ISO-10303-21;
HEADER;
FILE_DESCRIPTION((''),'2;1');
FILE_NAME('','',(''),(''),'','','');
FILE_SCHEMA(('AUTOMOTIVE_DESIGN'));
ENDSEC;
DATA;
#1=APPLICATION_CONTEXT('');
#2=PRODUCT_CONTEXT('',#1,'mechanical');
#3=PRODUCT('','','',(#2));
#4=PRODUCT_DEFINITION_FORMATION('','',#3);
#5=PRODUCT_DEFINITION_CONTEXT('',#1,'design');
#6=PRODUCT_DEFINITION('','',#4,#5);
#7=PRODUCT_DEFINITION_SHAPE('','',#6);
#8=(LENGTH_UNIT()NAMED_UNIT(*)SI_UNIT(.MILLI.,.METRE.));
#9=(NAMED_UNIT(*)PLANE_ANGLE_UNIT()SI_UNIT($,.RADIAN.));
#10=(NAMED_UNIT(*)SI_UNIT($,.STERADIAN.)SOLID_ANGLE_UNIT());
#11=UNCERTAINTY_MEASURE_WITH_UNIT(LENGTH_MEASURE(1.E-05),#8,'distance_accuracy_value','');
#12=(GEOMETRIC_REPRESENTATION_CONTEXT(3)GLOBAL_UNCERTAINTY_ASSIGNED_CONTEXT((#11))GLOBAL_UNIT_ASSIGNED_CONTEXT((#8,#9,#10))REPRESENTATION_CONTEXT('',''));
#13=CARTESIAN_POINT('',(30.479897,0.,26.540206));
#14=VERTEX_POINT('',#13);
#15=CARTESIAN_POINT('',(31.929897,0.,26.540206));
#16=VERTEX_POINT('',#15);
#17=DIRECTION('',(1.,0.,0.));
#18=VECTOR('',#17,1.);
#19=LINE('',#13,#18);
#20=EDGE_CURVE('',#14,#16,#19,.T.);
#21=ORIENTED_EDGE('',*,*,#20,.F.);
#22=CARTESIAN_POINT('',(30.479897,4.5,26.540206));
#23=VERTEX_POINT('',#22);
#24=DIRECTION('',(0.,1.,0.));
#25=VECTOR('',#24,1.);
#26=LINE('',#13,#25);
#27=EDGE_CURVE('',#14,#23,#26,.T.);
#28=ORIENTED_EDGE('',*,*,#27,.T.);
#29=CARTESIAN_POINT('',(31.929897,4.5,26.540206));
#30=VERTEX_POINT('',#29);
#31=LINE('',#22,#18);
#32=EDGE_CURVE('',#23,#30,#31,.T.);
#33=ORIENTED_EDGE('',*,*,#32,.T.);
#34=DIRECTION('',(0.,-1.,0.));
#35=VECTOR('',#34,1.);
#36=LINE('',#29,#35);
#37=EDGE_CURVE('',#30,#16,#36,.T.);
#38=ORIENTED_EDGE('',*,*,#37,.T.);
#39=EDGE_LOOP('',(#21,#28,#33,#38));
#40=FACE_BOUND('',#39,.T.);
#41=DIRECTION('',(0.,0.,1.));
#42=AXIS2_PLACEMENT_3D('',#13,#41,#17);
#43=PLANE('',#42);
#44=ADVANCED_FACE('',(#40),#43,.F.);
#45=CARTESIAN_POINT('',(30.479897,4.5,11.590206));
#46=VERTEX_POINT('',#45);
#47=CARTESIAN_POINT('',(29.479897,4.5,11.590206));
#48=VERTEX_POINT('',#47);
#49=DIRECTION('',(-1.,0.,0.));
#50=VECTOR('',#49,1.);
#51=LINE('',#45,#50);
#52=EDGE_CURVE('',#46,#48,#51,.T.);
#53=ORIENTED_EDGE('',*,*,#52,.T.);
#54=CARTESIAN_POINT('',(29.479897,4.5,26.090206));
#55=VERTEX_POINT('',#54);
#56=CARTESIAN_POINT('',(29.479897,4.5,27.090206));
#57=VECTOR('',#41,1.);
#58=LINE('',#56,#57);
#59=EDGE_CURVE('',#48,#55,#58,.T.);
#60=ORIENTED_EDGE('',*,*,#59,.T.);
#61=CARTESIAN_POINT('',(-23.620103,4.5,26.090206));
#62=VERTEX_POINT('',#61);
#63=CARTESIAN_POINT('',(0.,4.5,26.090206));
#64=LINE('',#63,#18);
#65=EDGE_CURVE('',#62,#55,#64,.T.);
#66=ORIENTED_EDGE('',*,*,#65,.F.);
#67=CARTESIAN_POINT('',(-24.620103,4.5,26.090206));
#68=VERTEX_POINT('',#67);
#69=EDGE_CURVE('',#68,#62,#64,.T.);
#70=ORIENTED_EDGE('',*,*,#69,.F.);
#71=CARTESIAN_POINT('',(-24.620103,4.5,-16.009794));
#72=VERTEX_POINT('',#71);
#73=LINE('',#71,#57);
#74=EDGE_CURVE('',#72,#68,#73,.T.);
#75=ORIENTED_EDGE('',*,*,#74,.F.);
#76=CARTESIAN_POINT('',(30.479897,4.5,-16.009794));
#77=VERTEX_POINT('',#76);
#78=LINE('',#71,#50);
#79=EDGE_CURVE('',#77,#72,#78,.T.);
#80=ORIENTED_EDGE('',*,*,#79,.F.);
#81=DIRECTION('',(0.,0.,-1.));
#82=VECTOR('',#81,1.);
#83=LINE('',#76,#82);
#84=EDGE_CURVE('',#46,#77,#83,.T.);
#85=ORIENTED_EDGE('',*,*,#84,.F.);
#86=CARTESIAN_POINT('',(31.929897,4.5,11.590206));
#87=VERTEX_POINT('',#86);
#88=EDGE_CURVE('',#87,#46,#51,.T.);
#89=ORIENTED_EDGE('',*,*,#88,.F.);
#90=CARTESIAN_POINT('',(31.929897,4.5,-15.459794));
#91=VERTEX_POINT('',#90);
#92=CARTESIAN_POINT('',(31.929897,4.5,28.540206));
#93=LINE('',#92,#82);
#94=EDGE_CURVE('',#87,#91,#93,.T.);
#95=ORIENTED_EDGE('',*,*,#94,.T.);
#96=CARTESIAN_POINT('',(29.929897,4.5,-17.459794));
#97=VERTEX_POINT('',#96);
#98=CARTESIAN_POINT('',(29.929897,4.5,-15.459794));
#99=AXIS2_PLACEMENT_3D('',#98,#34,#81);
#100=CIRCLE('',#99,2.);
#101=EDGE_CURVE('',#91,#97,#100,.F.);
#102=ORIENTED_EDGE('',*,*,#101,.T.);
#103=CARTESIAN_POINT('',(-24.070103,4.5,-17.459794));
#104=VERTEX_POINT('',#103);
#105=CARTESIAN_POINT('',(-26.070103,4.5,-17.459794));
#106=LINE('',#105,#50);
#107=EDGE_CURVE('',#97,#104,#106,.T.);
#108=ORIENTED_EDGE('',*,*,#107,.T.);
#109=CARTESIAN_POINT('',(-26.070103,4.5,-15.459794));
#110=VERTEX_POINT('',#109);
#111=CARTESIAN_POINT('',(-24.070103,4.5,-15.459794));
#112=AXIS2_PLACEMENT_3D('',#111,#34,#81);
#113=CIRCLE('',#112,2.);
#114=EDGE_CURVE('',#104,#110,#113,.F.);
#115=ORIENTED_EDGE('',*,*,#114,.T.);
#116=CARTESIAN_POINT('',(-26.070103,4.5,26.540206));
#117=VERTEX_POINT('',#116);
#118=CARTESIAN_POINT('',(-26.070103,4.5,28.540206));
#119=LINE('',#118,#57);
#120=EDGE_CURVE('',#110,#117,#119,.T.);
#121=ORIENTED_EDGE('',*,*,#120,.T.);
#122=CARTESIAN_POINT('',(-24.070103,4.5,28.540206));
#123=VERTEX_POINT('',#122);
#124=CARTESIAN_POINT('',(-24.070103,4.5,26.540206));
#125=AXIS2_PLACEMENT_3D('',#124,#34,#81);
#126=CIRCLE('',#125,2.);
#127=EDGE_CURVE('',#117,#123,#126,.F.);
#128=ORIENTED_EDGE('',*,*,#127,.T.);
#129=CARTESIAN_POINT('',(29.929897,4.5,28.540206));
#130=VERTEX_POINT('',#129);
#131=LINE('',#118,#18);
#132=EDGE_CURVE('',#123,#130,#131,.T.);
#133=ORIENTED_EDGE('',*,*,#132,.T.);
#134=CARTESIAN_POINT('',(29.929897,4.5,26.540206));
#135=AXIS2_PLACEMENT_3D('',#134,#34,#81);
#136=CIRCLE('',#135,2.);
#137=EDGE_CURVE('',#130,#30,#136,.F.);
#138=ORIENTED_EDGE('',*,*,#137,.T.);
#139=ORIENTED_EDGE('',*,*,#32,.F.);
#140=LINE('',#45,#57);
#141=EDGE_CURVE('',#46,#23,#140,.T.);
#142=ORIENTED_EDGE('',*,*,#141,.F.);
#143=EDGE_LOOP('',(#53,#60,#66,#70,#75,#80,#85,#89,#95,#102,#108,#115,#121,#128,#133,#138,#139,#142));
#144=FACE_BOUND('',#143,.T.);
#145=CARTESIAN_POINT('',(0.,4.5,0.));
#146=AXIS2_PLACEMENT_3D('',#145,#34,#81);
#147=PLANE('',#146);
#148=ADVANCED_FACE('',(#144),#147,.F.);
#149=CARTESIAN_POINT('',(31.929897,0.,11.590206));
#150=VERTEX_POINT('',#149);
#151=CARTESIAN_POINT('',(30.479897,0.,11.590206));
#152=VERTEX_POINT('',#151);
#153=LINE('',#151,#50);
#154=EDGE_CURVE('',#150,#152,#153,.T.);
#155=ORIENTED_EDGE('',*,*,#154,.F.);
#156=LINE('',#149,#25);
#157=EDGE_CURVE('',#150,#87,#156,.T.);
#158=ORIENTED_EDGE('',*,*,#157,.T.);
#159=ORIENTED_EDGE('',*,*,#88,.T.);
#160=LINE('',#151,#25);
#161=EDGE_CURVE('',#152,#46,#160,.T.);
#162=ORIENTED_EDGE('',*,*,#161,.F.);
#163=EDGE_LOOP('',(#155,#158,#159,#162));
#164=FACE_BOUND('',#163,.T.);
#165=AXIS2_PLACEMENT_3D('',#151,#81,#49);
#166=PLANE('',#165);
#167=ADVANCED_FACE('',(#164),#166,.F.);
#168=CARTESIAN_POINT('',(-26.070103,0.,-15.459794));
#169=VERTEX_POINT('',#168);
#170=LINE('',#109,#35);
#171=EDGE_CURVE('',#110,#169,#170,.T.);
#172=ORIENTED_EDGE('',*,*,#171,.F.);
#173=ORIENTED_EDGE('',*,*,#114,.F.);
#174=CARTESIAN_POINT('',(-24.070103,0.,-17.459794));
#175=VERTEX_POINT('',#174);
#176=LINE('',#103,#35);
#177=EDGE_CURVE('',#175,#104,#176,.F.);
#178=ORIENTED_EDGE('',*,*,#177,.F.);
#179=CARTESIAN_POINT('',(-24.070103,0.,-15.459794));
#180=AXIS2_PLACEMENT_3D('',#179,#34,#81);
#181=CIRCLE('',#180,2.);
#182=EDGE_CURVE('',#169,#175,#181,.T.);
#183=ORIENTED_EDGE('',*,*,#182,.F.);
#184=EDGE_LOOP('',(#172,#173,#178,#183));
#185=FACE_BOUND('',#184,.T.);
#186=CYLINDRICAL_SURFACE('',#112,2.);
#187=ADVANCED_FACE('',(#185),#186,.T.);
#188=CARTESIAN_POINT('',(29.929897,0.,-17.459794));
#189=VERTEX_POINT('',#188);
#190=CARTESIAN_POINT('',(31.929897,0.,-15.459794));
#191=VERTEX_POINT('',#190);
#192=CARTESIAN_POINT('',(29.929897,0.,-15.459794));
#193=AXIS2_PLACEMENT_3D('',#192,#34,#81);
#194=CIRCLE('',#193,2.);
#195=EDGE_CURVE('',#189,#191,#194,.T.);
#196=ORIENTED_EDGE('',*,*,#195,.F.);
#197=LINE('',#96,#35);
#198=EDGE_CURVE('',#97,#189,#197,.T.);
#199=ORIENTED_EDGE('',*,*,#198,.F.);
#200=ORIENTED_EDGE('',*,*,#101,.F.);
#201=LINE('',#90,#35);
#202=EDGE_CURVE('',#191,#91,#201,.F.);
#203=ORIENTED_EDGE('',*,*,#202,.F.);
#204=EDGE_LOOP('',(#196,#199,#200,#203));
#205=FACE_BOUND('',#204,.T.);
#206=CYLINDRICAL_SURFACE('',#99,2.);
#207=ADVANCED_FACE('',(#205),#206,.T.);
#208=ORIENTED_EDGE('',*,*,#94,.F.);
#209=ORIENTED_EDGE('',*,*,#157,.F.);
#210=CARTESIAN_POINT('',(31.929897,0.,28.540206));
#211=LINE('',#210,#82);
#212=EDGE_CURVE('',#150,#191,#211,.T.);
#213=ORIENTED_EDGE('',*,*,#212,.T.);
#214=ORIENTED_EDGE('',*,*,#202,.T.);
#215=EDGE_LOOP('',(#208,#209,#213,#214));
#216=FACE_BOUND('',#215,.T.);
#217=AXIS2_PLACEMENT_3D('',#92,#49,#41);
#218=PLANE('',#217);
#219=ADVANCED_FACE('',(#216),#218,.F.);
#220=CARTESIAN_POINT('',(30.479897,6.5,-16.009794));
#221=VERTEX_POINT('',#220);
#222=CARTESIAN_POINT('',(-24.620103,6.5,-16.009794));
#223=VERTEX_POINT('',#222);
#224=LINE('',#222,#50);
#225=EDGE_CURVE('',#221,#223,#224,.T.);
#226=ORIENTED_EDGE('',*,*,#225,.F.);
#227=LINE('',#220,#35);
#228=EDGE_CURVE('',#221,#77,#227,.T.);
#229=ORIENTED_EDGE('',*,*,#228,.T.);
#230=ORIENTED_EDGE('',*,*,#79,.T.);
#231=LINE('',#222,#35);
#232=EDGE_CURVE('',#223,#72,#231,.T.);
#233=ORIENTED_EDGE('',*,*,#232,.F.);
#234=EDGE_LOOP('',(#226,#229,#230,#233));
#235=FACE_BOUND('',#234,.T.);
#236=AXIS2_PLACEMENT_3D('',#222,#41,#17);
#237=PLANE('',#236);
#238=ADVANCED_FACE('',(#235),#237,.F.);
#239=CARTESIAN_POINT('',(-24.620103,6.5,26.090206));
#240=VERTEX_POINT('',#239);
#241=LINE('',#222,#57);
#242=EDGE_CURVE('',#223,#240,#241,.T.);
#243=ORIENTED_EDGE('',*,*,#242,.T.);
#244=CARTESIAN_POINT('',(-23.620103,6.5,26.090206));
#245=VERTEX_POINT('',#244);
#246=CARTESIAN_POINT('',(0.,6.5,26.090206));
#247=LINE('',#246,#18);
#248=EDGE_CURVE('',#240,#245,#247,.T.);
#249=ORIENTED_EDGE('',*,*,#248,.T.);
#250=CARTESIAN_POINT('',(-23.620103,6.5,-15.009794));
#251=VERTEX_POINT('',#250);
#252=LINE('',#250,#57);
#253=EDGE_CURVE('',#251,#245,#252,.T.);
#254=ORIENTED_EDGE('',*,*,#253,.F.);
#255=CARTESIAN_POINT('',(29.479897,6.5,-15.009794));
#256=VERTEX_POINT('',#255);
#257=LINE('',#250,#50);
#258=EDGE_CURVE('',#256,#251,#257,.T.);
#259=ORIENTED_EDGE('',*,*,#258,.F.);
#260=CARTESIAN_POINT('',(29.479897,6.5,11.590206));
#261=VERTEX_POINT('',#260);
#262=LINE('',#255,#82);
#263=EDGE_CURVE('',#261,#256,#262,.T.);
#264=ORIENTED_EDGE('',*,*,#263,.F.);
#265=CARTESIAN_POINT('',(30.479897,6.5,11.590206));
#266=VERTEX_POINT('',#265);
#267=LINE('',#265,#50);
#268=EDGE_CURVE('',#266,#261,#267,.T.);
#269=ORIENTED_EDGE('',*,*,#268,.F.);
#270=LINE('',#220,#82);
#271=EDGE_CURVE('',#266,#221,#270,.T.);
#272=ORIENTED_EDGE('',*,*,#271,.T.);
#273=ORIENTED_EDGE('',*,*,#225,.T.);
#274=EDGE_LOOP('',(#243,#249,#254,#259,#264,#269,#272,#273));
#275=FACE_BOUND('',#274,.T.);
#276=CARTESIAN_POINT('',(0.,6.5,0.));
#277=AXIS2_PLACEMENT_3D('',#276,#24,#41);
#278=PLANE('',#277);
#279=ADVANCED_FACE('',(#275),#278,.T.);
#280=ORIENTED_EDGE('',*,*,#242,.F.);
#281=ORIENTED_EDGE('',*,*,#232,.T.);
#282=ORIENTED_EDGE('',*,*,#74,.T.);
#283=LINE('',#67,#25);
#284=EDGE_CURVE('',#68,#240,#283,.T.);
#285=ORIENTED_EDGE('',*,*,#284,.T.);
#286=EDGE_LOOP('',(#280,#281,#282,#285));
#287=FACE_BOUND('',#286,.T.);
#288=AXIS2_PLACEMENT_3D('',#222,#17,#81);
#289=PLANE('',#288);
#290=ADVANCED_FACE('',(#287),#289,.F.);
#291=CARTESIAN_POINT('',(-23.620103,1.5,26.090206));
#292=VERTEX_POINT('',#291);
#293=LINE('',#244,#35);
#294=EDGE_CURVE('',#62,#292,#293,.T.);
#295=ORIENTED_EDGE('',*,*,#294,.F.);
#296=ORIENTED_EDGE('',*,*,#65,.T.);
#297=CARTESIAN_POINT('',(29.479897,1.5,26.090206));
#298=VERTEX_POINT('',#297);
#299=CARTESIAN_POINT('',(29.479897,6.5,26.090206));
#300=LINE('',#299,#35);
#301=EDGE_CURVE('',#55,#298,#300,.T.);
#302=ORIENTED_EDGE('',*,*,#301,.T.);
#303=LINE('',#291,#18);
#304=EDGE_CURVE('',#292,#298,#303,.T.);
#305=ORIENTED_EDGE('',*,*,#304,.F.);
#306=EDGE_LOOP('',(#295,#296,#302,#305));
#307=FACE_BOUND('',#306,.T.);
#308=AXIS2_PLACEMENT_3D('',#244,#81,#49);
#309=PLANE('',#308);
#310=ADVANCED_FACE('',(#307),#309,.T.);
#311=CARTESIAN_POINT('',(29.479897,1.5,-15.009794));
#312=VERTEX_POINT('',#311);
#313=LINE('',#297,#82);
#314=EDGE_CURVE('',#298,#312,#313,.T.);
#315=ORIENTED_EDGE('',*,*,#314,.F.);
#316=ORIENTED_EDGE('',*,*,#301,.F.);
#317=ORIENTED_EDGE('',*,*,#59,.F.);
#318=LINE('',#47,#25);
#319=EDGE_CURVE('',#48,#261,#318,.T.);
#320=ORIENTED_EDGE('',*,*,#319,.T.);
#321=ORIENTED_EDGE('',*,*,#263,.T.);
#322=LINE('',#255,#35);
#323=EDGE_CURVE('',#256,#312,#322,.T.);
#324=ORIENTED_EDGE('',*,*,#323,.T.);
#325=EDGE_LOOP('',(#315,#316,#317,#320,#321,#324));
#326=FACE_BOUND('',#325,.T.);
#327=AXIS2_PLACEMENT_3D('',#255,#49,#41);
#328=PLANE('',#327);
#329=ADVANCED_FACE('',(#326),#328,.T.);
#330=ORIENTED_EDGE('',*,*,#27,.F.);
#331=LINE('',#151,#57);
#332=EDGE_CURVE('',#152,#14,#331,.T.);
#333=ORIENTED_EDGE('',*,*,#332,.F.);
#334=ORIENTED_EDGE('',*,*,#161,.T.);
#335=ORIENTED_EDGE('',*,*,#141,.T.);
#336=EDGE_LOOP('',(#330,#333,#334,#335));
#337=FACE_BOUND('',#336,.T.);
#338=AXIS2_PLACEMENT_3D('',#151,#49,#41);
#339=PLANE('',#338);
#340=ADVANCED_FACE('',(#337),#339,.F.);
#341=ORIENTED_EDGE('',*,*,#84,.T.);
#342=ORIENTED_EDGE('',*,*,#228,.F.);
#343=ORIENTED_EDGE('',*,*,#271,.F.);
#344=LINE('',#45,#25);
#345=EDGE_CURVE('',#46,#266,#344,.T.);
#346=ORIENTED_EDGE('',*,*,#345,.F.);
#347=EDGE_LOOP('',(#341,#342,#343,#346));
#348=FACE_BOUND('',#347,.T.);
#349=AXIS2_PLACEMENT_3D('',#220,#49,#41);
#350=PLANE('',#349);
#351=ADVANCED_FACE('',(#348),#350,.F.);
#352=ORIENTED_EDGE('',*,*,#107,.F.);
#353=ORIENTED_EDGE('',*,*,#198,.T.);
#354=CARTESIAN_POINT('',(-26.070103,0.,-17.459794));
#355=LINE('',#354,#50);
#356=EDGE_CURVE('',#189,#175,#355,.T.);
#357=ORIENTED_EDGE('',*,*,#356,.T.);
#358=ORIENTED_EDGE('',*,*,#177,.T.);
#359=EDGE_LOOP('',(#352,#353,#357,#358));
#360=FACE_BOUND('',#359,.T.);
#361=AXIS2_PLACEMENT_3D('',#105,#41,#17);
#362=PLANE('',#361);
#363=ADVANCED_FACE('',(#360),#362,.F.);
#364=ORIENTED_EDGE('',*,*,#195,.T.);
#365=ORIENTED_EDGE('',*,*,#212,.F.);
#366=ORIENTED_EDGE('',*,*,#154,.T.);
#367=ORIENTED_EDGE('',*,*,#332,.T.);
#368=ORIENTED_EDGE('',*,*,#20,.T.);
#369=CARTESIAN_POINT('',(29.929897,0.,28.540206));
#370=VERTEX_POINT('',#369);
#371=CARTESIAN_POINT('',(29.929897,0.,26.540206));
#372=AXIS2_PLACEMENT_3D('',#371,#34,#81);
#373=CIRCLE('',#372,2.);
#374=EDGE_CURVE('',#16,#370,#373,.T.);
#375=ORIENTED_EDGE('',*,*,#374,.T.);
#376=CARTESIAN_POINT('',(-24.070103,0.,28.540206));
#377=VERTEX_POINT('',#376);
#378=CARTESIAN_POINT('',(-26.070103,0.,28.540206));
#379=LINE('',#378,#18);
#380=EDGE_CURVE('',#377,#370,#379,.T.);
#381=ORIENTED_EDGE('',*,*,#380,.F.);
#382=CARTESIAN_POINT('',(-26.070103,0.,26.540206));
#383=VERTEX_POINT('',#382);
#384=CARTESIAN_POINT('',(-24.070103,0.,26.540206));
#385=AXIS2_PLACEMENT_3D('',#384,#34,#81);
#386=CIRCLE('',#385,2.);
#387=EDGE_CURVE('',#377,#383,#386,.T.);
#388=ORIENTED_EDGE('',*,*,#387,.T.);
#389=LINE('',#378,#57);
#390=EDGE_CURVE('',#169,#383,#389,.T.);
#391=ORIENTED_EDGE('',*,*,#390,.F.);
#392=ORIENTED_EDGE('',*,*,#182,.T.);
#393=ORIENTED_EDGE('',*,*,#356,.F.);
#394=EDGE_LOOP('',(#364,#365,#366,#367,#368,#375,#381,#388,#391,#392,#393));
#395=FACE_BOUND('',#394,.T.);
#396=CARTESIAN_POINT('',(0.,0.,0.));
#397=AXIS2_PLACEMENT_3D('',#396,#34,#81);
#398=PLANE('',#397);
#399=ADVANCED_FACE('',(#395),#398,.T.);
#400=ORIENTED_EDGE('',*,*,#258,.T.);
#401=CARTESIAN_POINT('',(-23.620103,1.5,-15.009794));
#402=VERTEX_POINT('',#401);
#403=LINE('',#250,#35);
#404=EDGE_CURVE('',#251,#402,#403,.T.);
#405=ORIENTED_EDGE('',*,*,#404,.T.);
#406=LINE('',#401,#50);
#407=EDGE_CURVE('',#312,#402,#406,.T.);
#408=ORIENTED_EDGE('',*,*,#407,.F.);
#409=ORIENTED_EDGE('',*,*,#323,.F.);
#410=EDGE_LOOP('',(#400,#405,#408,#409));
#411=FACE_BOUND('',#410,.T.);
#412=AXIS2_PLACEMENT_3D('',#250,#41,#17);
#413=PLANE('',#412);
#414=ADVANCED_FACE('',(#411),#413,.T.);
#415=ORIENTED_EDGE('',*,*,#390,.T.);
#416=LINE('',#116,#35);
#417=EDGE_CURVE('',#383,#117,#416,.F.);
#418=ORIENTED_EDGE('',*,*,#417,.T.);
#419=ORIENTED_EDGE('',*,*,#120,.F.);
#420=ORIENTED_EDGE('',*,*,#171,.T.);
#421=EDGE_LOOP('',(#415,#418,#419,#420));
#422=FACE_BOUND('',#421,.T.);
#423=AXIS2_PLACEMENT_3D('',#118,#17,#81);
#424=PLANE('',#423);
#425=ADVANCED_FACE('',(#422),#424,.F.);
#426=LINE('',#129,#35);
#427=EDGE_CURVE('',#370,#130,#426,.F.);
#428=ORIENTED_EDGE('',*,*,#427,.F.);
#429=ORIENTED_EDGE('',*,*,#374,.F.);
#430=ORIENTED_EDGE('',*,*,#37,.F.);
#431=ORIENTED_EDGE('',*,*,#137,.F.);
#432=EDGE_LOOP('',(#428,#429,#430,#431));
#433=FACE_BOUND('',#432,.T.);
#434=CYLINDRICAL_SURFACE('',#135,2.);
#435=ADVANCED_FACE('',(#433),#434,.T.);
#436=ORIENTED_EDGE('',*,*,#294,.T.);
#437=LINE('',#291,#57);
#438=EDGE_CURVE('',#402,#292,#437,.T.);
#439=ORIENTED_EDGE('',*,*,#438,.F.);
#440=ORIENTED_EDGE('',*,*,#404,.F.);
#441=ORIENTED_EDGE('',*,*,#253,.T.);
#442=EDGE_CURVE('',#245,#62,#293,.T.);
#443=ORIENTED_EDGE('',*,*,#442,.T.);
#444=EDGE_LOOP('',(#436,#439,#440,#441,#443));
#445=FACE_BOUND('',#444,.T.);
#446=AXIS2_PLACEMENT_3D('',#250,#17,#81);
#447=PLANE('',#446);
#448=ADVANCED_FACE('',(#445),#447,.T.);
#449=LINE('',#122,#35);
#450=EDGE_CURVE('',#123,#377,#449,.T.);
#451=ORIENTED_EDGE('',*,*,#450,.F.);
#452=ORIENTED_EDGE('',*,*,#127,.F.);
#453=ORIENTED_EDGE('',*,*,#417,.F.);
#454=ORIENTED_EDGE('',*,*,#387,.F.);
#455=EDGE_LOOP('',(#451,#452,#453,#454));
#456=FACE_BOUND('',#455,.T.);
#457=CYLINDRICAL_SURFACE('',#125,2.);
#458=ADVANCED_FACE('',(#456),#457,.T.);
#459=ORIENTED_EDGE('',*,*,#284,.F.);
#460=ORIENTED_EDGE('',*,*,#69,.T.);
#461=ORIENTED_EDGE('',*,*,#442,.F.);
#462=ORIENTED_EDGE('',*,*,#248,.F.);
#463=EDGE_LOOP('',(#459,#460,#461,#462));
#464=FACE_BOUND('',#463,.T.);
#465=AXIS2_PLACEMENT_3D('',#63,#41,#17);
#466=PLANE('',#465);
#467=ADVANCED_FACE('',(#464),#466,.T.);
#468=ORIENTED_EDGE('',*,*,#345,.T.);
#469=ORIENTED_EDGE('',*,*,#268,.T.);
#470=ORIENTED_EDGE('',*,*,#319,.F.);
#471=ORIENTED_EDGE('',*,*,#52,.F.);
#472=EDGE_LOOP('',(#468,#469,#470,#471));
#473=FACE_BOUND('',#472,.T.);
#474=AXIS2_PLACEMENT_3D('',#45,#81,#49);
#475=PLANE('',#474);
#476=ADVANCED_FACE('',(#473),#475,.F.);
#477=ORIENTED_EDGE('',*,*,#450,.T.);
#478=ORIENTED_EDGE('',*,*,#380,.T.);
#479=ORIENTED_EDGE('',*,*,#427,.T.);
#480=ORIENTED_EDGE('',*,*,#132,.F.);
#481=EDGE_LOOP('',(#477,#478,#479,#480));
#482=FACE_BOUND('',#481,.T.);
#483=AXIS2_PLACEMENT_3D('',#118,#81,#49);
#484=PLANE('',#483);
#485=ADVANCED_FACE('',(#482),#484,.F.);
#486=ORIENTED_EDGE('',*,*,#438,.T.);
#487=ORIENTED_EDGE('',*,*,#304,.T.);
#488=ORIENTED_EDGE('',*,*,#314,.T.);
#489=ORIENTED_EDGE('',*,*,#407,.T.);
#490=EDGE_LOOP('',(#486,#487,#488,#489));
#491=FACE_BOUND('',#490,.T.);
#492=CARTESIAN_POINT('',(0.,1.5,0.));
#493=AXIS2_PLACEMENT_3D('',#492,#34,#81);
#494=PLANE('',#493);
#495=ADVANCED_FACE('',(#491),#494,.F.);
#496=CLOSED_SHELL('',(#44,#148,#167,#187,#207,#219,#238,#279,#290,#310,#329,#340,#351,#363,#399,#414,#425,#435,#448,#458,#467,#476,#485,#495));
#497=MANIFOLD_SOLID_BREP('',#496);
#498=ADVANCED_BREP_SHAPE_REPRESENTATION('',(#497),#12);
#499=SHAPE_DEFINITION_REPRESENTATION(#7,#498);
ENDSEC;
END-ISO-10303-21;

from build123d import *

# Parameters (mm, degrees)
SKETCH1_W           = 58
SKETCH1_H           = 46
BOSS_EXTRUDE1_DEPTH = 4.5
SKETCH2_W           = 55.1
SKETCH2_H           = 43.1
SKETCH2_W_2         = 53.1
SKETCH2_H_2         = 41.1
BOSS_EXTRUDE2_DEPTH = 2
SKETCH3_W           = 53.1
SKETCH3_H           = 41.1
CUT_EXTRUDE1_DEPTH  = 3
SKETCH4_W           = 1
SKETCH4_H           = 15.5
CUT_EXTRUDE2_DEPTH  = 2
CUT_EXTRUDE4_START  = 5
SKETCH5_W           = 54.1
SKETCH5_H           = 1
CUT_EXTRUDE4_DEPTH  = 2
FILLET1_R           = 2
SKETCH6_W           = 1.45
SKETCH6_H           = 14.95
CUT_EXTRUDE5_DEPTH  = 5.5


with BuildPart() as part:
    # Sketch1 → Boss-Extrude1 (new body)
    with BuildSketch(Plane(origin=(0, 0, 0), x_dir=(1, 0, 0), z_dir=(0, 1, 0))):
        with Locations((2.929896907, -5.540206186)):
            Rectangle(SKETCH1_W, SKETCH1_H)
    extrude(amount=BOSS_EXTRUDE1_DEPTH)

    # Sketch2 → Boss-Extrude2 (add)
    with BuildSketch(Plane(origin=(0, 4.5, 0), x_dir=(1, 0, 0), z_dir=(0, 1, 0))):
        with Locations((2.929896907, -5.540206186)):
            Rectangle(SKETCH2_W, SKETCH2_H)
        with Locations((2.929896907, -5.540206186)):
            Rectangle(SKETCH2_W_2, SKETCH2_H_2, mode=Mode.SUBTRACT)
    extrude(amount=BOSS_EXTRUDE2_DEPTH)

    # Sketch3 → Cut-Extrude1 (cut)
    with BuildSketch(Plane(origin=(0, 4.5, 0), x_dir=(1, 0, 0), z_dir=(0, 1, 0))):
        with Locations((2.929896907, -5.540206186)):
            Rectangle(SKETCH3_W, SKETCH3_H)
    extrude(amount=-CUT_EXTRUDE1_DEPTH, mode=Mode.SUBTRACT)

    # Sketch4 → Cut-Extrude2 (cut)
    with BuildSketch(Plane(origin=(0, 6.5, 0), x_dir=(1, 0, 0), z_dir=(0, 1, 0))):
        with Locations((29.979896907, -19.340206186)):
            Rectangle(SKETCH4_W, SKETCH4_H)
    extrude(amount=-CUT_EXTRUDE2_DEPTH, mode=Mode.SUBTRACT)

    # Sketch5 → Cut-Extrude4 (cut)
    with BuildSketch(Plane(origin=(0, 1.5, 0), x_dir=(1, 0, 0), z_dir=(0, 1, 0)).offset(CUT_EXTRUDE4_START)):
        with Locations((2.429896907, -26.590206186)):
            Rectangle(SKETCH5_W, SKETCH5_H)
    extrude(amount=-CUT_EXTRUDE4_DEPTH, mode=Mode.SUBTRACT)

    # Fillet1
    fillet1_edges = [part.edges().sort_by_distance(p)[0] for p in [
        (-26.070103093, 2.25, -17.459793814),
        (31.929896907, 2.25, -17.459793814),
        (31.929896907, 2.25, 28.540206186),
        (-26.070103093, 2.25, 28.540206186),
    ]]
    fillet(fillet1_edges, radius=FILLET1_R)

    # Sketch6 → Cut-Extrude5 (cut, through all)
    with BuildSketch(Plane(origin=(0, 4.5, 0), x_dir=(1, 0, 0), z_dir=(0, 1, 0))):
        with Locations((31.204896907, -19.065206186)):
            Rectangle(SKETCH6_W, SKETCH6_H)
    extrude(amount=-CUT_EXTRUDE5_DEPTH, mode=Mode.SUBTRACT)


solid = part.part
